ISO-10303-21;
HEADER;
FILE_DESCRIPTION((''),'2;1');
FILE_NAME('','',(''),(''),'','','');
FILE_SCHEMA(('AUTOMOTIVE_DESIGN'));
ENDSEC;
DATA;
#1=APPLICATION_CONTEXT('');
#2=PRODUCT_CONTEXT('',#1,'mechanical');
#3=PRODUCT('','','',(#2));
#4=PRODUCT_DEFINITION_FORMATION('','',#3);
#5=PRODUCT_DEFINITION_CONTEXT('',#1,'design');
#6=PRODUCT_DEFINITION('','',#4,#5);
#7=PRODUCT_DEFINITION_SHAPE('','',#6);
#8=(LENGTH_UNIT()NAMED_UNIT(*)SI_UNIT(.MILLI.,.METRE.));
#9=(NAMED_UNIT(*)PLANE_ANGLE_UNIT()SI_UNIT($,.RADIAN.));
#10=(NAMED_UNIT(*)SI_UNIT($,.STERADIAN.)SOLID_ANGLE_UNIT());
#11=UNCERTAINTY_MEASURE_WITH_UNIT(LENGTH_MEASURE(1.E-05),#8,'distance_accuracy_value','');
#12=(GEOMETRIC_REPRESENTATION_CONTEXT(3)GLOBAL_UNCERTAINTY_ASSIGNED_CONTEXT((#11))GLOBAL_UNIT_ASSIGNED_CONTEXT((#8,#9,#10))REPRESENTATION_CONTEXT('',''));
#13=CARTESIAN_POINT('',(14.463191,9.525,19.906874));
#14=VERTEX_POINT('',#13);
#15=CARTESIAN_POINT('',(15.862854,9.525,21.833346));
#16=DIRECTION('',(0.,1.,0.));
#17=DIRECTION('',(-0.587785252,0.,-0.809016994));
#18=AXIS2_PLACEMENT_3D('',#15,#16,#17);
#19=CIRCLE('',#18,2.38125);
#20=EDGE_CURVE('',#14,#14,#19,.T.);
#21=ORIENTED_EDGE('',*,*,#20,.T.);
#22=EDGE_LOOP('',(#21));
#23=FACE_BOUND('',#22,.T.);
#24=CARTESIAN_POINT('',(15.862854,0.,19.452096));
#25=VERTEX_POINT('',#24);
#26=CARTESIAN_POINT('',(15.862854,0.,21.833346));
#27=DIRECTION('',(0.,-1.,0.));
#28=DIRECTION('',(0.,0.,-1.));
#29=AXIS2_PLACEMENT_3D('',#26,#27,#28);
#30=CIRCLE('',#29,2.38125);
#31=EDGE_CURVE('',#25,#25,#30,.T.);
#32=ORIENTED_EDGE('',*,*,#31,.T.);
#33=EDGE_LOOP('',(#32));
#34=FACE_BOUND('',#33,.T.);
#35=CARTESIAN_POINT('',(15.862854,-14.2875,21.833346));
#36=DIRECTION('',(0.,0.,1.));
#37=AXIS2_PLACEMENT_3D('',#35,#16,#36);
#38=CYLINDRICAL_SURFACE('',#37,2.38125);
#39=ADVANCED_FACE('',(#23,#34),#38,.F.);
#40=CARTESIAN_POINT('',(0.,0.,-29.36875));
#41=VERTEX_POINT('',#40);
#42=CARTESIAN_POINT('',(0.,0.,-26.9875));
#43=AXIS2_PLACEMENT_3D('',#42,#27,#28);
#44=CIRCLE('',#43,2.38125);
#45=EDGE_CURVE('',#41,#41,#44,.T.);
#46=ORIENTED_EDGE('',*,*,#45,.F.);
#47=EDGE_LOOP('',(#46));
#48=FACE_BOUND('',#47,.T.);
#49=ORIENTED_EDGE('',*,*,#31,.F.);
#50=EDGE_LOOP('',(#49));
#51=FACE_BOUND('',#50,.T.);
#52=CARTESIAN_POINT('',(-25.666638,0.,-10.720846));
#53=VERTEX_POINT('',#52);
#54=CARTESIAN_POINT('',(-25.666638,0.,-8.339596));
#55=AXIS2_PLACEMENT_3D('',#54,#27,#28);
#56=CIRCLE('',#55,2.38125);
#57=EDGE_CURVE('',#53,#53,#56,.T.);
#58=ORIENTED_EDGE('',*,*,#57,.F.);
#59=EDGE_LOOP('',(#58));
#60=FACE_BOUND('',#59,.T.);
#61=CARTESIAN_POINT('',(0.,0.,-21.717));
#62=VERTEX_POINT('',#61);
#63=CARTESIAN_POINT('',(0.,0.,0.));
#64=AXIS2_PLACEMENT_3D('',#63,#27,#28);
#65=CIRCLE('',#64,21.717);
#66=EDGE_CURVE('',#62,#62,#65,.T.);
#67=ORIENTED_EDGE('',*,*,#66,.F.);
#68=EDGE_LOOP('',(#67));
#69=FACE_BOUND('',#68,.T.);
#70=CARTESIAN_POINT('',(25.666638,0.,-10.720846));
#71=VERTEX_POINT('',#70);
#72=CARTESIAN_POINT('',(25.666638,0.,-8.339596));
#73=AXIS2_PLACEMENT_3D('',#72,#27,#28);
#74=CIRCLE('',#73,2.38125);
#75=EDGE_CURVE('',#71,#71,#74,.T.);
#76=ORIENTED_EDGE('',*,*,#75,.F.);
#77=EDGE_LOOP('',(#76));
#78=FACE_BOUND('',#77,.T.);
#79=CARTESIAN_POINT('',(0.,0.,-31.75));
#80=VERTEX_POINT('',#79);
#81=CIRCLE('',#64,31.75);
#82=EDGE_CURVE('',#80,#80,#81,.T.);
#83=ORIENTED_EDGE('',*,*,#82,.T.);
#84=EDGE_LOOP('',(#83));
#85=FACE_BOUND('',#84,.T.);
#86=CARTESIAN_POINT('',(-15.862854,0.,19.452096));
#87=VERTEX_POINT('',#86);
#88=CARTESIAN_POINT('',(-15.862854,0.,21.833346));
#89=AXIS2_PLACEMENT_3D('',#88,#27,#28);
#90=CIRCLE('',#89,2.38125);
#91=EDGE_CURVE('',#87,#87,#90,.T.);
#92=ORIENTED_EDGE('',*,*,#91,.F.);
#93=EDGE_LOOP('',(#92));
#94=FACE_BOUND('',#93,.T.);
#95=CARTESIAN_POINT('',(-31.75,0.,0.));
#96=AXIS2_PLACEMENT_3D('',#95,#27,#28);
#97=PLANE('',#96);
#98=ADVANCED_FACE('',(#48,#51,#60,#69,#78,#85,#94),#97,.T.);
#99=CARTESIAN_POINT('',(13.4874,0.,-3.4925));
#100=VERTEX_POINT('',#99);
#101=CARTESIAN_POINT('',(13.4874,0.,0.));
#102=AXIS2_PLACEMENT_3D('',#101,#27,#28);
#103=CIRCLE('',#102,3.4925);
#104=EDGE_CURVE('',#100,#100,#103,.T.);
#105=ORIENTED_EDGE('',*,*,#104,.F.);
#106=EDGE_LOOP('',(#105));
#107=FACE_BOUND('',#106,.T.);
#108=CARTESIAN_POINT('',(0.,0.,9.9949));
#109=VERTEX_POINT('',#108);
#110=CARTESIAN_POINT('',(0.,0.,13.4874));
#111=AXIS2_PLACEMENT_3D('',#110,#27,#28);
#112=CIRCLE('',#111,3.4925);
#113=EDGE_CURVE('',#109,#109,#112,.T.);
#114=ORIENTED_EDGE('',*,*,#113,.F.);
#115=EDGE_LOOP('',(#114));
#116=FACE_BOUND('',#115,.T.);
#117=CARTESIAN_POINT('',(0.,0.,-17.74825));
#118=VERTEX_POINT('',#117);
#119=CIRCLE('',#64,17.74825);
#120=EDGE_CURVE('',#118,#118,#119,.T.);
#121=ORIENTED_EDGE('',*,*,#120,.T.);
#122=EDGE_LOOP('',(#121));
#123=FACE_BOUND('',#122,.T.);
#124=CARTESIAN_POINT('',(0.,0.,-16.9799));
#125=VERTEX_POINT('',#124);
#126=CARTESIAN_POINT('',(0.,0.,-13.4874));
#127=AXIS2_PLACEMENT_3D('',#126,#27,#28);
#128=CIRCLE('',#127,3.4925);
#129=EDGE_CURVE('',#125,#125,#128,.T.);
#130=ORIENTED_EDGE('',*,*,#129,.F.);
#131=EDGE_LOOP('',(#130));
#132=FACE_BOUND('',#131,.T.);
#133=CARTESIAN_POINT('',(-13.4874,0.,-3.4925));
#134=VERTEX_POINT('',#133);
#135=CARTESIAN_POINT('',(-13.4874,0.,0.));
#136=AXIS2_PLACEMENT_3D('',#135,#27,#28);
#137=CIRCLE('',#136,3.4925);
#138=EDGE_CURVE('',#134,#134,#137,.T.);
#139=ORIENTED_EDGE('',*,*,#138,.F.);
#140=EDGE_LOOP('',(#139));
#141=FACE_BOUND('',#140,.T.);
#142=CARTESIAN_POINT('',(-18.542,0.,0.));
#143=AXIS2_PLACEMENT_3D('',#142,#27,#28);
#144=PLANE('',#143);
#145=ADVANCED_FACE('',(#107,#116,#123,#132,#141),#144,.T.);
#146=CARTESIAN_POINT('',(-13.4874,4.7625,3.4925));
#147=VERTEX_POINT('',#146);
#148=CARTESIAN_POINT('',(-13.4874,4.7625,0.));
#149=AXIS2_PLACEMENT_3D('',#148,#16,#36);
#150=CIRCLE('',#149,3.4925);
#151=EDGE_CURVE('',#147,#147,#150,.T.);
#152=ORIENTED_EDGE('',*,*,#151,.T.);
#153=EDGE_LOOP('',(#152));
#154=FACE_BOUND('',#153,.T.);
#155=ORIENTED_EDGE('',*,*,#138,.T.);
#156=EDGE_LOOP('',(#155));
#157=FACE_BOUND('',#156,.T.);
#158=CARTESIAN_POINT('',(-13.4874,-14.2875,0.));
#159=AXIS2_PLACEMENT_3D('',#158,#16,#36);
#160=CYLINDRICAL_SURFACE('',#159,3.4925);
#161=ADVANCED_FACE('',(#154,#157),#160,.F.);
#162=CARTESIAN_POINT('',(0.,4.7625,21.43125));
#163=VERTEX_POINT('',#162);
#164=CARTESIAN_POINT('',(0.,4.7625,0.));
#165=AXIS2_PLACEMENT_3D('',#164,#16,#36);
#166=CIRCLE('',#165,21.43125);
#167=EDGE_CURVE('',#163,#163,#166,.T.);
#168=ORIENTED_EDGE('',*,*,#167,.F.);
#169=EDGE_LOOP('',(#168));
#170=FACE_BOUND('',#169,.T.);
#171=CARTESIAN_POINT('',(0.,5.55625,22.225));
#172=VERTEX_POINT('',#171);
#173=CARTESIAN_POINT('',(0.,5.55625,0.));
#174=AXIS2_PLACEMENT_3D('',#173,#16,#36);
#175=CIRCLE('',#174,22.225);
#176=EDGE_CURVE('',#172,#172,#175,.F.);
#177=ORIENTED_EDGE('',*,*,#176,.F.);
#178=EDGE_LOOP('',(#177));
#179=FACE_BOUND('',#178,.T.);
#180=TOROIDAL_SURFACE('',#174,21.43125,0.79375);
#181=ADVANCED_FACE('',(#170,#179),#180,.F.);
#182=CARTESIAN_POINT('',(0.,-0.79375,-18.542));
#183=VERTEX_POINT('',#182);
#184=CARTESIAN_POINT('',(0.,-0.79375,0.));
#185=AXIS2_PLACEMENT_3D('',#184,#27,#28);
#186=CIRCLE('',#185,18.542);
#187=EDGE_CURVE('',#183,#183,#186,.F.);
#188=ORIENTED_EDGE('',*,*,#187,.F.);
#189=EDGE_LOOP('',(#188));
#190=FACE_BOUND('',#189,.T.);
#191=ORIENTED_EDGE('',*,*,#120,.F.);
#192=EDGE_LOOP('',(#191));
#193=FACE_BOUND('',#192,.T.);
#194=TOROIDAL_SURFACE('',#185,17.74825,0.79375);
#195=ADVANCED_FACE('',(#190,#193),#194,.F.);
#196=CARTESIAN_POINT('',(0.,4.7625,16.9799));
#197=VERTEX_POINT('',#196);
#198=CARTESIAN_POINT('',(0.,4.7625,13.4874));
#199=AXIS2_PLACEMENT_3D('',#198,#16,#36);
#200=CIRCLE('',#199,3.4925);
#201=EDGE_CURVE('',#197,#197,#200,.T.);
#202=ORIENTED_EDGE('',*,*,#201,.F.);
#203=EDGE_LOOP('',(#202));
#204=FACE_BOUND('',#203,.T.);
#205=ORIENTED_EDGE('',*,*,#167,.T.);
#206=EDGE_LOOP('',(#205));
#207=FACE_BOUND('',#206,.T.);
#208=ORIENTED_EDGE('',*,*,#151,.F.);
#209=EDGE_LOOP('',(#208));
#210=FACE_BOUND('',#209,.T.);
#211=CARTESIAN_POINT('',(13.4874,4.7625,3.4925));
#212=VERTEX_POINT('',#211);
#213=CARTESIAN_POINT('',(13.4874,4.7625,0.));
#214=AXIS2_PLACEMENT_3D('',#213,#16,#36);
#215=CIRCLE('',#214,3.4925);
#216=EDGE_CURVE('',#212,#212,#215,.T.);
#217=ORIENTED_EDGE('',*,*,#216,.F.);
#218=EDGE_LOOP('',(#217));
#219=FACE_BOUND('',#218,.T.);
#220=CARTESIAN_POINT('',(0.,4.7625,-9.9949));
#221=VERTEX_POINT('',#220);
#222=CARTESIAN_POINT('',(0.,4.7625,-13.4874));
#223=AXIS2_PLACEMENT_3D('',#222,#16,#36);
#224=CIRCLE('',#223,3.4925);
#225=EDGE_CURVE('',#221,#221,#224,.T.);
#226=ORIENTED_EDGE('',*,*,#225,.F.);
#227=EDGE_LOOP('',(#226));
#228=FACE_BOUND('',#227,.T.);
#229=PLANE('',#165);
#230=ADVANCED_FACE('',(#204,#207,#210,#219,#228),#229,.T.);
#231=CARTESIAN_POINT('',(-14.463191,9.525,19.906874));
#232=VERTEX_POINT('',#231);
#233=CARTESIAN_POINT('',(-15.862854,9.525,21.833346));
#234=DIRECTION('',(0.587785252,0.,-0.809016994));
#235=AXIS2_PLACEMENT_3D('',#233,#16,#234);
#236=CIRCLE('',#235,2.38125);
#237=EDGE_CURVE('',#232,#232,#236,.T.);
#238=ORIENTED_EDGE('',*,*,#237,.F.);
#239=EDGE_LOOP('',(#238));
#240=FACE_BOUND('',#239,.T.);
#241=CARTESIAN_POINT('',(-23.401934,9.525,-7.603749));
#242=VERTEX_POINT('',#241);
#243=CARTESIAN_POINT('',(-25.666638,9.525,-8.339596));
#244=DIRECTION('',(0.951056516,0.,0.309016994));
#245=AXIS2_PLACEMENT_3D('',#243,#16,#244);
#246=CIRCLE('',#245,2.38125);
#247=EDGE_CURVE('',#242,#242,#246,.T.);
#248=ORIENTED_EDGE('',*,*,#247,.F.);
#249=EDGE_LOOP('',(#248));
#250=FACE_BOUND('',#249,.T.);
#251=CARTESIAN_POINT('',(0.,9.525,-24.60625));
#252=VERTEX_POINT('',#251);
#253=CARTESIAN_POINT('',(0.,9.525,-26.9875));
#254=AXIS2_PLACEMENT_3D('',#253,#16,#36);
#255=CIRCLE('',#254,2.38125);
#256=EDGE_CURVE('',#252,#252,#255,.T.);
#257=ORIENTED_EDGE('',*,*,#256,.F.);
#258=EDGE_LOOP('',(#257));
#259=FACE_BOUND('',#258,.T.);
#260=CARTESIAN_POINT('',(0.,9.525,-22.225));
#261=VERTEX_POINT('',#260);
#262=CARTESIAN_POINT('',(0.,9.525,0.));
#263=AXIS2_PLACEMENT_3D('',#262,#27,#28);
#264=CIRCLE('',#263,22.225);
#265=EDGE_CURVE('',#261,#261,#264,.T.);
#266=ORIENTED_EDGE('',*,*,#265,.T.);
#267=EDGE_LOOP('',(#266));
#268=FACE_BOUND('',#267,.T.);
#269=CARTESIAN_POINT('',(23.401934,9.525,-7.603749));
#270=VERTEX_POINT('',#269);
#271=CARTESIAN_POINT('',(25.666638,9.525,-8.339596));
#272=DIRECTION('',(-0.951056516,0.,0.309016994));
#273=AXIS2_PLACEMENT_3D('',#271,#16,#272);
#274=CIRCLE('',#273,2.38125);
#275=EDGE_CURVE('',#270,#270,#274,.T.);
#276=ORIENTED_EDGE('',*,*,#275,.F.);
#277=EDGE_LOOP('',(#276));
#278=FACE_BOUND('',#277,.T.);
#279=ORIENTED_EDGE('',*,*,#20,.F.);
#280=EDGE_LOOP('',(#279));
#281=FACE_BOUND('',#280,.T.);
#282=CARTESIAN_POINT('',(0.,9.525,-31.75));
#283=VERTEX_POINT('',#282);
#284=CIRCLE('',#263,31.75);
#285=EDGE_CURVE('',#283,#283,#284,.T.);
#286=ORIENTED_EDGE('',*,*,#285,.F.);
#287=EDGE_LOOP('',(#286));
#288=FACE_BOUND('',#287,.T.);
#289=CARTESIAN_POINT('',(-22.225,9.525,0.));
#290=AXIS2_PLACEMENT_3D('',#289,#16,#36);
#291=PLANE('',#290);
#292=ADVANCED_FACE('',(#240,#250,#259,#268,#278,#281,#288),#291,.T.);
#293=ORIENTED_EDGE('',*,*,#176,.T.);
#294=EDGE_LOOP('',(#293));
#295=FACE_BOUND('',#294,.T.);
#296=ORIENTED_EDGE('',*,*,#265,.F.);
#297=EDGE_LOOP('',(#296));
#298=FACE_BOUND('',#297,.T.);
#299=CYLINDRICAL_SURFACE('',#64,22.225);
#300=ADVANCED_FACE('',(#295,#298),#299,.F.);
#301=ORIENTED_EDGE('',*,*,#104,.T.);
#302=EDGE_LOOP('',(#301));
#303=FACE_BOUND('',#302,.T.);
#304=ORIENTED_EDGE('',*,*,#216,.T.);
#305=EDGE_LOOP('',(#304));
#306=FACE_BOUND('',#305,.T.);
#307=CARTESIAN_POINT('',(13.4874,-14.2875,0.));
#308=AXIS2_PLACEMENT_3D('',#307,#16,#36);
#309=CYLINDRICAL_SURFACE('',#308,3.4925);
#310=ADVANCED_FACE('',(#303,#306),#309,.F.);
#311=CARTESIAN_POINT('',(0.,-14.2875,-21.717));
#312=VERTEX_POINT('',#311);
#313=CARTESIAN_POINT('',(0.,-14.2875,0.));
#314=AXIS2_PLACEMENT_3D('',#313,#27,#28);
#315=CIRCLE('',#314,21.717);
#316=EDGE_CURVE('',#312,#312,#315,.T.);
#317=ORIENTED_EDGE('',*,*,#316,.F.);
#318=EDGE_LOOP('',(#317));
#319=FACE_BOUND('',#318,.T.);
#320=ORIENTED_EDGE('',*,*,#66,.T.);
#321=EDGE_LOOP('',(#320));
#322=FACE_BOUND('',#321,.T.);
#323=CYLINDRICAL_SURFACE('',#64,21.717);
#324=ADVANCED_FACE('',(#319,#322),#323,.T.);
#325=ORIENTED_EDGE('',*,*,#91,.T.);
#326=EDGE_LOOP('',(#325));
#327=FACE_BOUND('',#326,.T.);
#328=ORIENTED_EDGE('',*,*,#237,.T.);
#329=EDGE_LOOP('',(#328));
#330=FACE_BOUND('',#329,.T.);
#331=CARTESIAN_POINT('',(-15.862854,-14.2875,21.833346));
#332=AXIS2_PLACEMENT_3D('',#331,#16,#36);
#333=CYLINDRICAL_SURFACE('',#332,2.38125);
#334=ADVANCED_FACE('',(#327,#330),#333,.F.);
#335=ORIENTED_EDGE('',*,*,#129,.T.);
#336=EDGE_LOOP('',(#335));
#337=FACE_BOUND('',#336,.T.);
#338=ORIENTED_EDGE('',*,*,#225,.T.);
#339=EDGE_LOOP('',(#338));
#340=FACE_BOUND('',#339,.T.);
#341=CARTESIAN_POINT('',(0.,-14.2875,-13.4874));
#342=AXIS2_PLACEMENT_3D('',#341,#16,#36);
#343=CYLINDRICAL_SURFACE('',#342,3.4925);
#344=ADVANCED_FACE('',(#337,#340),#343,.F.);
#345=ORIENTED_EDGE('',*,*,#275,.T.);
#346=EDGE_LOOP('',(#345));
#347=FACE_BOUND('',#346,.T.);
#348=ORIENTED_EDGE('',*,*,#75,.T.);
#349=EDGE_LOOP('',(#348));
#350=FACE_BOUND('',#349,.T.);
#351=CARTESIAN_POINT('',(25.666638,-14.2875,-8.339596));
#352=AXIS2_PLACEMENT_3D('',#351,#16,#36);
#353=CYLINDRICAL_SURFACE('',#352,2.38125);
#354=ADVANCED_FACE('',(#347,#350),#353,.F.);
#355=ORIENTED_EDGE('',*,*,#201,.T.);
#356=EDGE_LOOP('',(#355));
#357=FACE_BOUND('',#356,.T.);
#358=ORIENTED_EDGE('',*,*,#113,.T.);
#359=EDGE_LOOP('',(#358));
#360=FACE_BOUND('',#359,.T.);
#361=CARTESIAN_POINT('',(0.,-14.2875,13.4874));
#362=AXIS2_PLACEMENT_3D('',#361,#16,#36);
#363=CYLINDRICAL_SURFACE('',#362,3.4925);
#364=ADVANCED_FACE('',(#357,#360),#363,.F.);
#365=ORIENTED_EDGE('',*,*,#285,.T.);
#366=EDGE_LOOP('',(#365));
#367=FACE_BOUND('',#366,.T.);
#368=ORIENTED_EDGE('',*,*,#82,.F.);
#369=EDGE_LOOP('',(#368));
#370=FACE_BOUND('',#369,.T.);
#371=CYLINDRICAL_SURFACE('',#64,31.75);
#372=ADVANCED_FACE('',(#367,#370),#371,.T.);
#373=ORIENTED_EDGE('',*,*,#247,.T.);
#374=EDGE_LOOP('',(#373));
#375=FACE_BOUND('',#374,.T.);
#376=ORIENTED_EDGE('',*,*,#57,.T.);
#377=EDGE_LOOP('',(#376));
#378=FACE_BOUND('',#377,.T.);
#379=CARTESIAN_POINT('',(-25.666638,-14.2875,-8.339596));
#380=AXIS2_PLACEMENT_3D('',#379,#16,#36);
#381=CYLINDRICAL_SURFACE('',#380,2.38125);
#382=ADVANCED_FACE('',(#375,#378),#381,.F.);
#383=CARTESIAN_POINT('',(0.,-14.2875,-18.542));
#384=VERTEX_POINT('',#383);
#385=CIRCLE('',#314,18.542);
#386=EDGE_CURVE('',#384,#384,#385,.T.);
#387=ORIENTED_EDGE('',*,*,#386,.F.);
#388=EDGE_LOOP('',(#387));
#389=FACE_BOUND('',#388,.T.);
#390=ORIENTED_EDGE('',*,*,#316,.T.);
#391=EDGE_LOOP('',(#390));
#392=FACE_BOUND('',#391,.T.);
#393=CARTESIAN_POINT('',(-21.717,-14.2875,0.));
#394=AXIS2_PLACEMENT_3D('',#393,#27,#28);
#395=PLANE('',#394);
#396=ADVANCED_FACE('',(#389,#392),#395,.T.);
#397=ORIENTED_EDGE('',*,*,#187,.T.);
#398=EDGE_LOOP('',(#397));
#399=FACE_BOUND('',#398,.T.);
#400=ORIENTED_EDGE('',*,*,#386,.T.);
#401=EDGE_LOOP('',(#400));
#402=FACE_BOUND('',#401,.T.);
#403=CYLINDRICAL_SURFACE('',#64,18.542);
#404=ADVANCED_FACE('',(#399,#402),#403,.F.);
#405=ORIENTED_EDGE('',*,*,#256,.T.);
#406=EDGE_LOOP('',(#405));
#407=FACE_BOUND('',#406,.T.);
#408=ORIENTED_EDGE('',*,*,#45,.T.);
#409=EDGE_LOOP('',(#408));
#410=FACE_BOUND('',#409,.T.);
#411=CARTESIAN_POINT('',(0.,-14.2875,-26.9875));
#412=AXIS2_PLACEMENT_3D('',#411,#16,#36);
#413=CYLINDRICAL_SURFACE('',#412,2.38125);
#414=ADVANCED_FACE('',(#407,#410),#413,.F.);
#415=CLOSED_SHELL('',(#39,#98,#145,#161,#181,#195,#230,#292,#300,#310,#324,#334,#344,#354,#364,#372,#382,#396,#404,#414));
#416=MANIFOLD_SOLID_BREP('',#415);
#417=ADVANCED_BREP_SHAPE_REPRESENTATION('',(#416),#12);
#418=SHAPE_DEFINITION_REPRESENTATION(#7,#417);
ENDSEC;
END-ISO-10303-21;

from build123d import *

# Parameters (mm, degrees)
SKETCH2_R          = 3.4925
CUT_EXTRUDE1_DEPTH = 49.775275499
SKETCH3_R          = 2.38125
CUT_EXTRUDE2_DEPTH = 51.824798635
CIRPATTERN1_COUNT  = 5
FILLET1_R          = 0.79375


with BuildPart() as part:
    # Sketch1 → Revolve1 (revolve)
    with BuildSketch(Plane.XY):
        Polygon((18.542, -14.2875), (18.542, 0), (0, 0), (0, 4.7625), (22.225, 4.7625), (22.225, 9.525), (31.75, 9.525), (31.75, 0), (21.717, 0), (21.717, -14.2875), align=None)
    revolve(axis=Axis((0, 0, 0), (0, 1, 0)))

    # Sketch2 → Cut-Extrude1 (cut, through all)
    with BuildSketch(Plane(origin=(0, 4.7625, 0), x_dir=(1, 0, 0), z_dir=(0, 1, 0))):
        with Locations((-13.4874, 0)):
            Circle(SKETCH2_R)
        with Locations((0, 13.4874)):
            Circle(SKETCH2_R)
        with Locations((13.4874, 0)):
            Circle(SKETCH2_R)
        with Locations((0, -13.4874)):
            Circle(SKETCH2_R)
    extrude(amount=-CUT_EXTRUDE1_DEPTH, mode=Mode.SUBTRACT)

    # Sketch3 → Cut-Extrude2 (cut, through all)
    with BuildSketch(Plane(origin=(0, 9.525, 0), x_dir=(1, 0, 0), z_dir=(0, 1, 0))):
        with Locations((0, 26.9875)):
            Circle(SKETCH3_R)
    cut_extrude2 = extrude(amount=-CUT_EXTRUDE2_DEPTH, mode=Mode.SUBTRACT)

    # CirPattern1: Cut-Extrude2 ×5 about axis
    cirpattern1_axis = Axis((0, 14.76375, 0), (0, -1, 0))
    for i in range(1, CIRPATTERN1_COUNT):
        add(cut_extrude2.rotate(cirpattern1_axis, i * 360 / CIRPATTERN1_COUNT), mode=Mode.SUBTRACT)

    # Fillet1
    fillet1_edges = [part.edges().sort_by_distance(p)[0] for p in [
        (-22.225, 4.7625, 0),
        (-18.542, 0, 0),
    ]]
    fillet(fillet1_edges, radius=FILLET1_R)


solid = part.part
